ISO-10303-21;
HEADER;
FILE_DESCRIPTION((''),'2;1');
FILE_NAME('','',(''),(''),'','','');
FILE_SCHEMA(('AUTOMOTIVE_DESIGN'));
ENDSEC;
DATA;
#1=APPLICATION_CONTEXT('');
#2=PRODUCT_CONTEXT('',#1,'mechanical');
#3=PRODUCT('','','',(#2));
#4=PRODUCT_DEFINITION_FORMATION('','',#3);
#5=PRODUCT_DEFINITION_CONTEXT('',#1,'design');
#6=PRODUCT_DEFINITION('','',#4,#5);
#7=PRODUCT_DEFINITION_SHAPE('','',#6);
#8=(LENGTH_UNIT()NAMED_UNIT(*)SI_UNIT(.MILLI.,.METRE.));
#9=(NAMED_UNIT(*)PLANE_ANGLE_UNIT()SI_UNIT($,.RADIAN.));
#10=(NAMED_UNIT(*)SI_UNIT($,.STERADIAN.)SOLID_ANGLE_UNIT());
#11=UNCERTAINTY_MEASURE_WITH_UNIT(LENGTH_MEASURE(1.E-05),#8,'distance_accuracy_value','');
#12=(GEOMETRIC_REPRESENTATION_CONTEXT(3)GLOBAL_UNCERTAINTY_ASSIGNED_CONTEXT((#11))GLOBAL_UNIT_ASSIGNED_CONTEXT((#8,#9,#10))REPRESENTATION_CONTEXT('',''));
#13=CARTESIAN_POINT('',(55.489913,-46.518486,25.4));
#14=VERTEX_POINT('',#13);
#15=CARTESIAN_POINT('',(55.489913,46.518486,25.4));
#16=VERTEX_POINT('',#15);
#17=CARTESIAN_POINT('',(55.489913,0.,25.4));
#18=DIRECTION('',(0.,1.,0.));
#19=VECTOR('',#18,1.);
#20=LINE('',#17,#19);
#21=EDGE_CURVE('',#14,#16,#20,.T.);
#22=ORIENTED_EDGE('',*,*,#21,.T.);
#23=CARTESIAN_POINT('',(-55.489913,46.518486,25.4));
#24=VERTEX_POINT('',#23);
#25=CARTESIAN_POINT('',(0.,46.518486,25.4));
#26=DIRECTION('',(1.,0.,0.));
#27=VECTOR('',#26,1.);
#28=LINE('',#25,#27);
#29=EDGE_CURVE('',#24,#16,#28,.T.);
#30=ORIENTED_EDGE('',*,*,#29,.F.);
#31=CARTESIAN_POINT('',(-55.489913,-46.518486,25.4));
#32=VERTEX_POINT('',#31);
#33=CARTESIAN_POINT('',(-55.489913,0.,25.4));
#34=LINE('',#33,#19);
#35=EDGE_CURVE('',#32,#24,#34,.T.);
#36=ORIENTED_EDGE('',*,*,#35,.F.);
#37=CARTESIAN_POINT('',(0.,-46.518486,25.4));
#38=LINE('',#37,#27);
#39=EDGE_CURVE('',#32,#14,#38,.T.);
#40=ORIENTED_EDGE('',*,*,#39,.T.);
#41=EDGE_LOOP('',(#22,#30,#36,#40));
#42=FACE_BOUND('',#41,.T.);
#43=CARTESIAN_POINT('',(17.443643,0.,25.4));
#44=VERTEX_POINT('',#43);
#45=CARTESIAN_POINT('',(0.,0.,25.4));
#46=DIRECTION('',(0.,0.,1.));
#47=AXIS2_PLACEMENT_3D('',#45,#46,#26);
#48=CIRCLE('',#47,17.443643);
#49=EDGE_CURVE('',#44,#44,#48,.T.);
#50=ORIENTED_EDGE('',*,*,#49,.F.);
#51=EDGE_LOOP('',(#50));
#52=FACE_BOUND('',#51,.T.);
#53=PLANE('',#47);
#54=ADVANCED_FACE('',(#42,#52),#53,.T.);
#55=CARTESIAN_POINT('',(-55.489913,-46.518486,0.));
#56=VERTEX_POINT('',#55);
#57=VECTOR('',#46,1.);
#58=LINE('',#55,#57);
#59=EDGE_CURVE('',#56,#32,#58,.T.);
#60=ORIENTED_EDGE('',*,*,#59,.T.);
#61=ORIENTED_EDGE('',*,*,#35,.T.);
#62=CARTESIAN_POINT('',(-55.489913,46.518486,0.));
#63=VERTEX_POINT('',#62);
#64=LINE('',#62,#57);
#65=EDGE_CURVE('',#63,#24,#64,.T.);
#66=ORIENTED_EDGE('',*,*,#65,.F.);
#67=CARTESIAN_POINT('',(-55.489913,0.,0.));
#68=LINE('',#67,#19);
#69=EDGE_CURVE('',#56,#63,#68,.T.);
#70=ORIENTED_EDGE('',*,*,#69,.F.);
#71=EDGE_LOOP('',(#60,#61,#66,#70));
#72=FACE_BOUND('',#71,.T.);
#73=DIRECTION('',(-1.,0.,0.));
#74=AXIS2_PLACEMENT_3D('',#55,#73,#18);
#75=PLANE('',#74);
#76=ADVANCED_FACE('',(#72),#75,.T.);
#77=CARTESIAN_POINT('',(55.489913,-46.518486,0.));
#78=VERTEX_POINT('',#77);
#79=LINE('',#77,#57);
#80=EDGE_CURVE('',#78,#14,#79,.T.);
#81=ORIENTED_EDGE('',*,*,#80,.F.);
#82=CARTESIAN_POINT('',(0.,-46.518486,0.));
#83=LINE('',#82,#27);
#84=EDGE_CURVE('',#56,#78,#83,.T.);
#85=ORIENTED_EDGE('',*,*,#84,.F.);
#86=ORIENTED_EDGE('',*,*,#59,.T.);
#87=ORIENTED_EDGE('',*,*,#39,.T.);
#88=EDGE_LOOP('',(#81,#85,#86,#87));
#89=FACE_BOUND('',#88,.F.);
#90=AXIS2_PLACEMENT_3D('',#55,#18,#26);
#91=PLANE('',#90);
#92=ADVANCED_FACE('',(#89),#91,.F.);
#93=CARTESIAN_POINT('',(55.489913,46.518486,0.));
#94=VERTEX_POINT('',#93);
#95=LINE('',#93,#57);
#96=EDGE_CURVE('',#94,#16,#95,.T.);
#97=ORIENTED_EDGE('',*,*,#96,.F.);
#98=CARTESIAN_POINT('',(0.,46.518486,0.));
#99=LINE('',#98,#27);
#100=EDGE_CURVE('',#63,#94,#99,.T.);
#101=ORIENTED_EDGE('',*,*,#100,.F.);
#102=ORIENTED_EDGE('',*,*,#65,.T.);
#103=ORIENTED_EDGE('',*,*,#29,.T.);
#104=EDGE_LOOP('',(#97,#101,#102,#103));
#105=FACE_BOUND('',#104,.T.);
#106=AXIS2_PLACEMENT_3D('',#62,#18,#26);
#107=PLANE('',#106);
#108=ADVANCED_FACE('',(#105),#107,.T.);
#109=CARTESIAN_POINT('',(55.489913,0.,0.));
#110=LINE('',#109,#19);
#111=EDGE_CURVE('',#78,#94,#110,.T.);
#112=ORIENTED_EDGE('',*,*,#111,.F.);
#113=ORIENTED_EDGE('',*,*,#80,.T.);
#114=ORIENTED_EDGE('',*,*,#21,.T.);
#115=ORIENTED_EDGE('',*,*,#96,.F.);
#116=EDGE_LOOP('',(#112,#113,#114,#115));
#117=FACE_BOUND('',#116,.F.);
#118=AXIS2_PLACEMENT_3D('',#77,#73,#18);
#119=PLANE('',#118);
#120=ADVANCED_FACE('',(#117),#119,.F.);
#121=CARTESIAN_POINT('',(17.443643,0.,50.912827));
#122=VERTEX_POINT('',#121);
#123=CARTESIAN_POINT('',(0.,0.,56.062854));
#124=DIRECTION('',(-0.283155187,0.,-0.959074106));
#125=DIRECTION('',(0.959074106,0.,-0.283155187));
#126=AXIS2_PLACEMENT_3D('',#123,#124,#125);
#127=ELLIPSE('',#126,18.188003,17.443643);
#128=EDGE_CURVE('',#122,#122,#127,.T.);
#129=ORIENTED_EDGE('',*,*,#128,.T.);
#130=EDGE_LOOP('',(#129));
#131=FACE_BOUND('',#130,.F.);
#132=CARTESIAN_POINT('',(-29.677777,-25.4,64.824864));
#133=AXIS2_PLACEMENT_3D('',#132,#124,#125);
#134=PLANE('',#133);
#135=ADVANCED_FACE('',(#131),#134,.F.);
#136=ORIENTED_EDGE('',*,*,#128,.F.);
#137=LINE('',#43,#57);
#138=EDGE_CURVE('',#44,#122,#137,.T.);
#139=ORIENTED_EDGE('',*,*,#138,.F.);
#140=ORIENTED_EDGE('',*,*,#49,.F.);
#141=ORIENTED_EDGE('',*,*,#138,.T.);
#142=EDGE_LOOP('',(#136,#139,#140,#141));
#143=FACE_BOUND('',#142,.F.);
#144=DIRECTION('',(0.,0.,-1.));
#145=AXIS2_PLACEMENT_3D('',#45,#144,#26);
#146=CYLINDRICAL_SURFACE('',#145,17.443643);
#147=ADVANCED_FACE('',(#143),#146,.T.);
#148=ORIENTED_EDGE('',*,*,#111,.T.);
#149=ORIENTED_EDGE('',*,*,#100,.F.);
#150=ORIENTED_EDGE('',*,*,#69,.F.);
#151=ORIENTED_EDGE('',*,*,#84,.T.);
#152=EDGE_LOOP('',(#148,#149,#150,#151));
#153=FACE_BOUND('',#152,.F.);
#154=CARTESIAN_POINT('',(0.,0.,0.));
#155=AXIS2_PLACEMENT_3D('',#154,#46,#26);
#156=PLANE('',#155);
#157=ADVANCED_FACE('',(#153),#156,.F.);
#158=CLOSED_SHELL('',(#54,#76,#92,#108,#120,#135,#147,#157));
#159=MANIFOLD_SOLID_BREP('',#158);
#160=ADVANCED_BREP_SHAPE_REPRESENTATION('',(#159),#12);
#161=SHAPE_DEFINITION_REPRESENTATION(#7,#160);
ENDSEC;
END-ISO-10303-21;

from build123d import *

# Parameters (mm, degrees)
F0_W     = 110.979826
F0_H     = 93.036972
F1_DEPTH = 25.4
F2_R     = 17.443643
F3_DEPTH = 50.8
F6_DEPTH = 58.928


with BuildPart() as f1:
    # F0 (on Top) → F1 (new body)
    with BuildSketch(Plane.XY):
        Rectangle(F0_W, F0_H)
    extrude(amount=F1_DEPTH)

    # F2 (on face) → F3 (join)
    with BuildSketch(Plane.XY.offset(25.4)):
        Circle(F2_R)
    extrude(amount=F3_DEPTH)

    # F5 (on offset) → F6 (cut)
    with BuildSketch(Plane.XZ.offset(25.4)):
        Polygon((-31.497903, 79.689242), (-29.677777, 64.824864), (34.026667, 46.016887), (34.026667, 79.689242), align=None)
    extrude(amount=-F6_DEPTH, mode=Mode.SUBTRACT)


solid = f1.part
